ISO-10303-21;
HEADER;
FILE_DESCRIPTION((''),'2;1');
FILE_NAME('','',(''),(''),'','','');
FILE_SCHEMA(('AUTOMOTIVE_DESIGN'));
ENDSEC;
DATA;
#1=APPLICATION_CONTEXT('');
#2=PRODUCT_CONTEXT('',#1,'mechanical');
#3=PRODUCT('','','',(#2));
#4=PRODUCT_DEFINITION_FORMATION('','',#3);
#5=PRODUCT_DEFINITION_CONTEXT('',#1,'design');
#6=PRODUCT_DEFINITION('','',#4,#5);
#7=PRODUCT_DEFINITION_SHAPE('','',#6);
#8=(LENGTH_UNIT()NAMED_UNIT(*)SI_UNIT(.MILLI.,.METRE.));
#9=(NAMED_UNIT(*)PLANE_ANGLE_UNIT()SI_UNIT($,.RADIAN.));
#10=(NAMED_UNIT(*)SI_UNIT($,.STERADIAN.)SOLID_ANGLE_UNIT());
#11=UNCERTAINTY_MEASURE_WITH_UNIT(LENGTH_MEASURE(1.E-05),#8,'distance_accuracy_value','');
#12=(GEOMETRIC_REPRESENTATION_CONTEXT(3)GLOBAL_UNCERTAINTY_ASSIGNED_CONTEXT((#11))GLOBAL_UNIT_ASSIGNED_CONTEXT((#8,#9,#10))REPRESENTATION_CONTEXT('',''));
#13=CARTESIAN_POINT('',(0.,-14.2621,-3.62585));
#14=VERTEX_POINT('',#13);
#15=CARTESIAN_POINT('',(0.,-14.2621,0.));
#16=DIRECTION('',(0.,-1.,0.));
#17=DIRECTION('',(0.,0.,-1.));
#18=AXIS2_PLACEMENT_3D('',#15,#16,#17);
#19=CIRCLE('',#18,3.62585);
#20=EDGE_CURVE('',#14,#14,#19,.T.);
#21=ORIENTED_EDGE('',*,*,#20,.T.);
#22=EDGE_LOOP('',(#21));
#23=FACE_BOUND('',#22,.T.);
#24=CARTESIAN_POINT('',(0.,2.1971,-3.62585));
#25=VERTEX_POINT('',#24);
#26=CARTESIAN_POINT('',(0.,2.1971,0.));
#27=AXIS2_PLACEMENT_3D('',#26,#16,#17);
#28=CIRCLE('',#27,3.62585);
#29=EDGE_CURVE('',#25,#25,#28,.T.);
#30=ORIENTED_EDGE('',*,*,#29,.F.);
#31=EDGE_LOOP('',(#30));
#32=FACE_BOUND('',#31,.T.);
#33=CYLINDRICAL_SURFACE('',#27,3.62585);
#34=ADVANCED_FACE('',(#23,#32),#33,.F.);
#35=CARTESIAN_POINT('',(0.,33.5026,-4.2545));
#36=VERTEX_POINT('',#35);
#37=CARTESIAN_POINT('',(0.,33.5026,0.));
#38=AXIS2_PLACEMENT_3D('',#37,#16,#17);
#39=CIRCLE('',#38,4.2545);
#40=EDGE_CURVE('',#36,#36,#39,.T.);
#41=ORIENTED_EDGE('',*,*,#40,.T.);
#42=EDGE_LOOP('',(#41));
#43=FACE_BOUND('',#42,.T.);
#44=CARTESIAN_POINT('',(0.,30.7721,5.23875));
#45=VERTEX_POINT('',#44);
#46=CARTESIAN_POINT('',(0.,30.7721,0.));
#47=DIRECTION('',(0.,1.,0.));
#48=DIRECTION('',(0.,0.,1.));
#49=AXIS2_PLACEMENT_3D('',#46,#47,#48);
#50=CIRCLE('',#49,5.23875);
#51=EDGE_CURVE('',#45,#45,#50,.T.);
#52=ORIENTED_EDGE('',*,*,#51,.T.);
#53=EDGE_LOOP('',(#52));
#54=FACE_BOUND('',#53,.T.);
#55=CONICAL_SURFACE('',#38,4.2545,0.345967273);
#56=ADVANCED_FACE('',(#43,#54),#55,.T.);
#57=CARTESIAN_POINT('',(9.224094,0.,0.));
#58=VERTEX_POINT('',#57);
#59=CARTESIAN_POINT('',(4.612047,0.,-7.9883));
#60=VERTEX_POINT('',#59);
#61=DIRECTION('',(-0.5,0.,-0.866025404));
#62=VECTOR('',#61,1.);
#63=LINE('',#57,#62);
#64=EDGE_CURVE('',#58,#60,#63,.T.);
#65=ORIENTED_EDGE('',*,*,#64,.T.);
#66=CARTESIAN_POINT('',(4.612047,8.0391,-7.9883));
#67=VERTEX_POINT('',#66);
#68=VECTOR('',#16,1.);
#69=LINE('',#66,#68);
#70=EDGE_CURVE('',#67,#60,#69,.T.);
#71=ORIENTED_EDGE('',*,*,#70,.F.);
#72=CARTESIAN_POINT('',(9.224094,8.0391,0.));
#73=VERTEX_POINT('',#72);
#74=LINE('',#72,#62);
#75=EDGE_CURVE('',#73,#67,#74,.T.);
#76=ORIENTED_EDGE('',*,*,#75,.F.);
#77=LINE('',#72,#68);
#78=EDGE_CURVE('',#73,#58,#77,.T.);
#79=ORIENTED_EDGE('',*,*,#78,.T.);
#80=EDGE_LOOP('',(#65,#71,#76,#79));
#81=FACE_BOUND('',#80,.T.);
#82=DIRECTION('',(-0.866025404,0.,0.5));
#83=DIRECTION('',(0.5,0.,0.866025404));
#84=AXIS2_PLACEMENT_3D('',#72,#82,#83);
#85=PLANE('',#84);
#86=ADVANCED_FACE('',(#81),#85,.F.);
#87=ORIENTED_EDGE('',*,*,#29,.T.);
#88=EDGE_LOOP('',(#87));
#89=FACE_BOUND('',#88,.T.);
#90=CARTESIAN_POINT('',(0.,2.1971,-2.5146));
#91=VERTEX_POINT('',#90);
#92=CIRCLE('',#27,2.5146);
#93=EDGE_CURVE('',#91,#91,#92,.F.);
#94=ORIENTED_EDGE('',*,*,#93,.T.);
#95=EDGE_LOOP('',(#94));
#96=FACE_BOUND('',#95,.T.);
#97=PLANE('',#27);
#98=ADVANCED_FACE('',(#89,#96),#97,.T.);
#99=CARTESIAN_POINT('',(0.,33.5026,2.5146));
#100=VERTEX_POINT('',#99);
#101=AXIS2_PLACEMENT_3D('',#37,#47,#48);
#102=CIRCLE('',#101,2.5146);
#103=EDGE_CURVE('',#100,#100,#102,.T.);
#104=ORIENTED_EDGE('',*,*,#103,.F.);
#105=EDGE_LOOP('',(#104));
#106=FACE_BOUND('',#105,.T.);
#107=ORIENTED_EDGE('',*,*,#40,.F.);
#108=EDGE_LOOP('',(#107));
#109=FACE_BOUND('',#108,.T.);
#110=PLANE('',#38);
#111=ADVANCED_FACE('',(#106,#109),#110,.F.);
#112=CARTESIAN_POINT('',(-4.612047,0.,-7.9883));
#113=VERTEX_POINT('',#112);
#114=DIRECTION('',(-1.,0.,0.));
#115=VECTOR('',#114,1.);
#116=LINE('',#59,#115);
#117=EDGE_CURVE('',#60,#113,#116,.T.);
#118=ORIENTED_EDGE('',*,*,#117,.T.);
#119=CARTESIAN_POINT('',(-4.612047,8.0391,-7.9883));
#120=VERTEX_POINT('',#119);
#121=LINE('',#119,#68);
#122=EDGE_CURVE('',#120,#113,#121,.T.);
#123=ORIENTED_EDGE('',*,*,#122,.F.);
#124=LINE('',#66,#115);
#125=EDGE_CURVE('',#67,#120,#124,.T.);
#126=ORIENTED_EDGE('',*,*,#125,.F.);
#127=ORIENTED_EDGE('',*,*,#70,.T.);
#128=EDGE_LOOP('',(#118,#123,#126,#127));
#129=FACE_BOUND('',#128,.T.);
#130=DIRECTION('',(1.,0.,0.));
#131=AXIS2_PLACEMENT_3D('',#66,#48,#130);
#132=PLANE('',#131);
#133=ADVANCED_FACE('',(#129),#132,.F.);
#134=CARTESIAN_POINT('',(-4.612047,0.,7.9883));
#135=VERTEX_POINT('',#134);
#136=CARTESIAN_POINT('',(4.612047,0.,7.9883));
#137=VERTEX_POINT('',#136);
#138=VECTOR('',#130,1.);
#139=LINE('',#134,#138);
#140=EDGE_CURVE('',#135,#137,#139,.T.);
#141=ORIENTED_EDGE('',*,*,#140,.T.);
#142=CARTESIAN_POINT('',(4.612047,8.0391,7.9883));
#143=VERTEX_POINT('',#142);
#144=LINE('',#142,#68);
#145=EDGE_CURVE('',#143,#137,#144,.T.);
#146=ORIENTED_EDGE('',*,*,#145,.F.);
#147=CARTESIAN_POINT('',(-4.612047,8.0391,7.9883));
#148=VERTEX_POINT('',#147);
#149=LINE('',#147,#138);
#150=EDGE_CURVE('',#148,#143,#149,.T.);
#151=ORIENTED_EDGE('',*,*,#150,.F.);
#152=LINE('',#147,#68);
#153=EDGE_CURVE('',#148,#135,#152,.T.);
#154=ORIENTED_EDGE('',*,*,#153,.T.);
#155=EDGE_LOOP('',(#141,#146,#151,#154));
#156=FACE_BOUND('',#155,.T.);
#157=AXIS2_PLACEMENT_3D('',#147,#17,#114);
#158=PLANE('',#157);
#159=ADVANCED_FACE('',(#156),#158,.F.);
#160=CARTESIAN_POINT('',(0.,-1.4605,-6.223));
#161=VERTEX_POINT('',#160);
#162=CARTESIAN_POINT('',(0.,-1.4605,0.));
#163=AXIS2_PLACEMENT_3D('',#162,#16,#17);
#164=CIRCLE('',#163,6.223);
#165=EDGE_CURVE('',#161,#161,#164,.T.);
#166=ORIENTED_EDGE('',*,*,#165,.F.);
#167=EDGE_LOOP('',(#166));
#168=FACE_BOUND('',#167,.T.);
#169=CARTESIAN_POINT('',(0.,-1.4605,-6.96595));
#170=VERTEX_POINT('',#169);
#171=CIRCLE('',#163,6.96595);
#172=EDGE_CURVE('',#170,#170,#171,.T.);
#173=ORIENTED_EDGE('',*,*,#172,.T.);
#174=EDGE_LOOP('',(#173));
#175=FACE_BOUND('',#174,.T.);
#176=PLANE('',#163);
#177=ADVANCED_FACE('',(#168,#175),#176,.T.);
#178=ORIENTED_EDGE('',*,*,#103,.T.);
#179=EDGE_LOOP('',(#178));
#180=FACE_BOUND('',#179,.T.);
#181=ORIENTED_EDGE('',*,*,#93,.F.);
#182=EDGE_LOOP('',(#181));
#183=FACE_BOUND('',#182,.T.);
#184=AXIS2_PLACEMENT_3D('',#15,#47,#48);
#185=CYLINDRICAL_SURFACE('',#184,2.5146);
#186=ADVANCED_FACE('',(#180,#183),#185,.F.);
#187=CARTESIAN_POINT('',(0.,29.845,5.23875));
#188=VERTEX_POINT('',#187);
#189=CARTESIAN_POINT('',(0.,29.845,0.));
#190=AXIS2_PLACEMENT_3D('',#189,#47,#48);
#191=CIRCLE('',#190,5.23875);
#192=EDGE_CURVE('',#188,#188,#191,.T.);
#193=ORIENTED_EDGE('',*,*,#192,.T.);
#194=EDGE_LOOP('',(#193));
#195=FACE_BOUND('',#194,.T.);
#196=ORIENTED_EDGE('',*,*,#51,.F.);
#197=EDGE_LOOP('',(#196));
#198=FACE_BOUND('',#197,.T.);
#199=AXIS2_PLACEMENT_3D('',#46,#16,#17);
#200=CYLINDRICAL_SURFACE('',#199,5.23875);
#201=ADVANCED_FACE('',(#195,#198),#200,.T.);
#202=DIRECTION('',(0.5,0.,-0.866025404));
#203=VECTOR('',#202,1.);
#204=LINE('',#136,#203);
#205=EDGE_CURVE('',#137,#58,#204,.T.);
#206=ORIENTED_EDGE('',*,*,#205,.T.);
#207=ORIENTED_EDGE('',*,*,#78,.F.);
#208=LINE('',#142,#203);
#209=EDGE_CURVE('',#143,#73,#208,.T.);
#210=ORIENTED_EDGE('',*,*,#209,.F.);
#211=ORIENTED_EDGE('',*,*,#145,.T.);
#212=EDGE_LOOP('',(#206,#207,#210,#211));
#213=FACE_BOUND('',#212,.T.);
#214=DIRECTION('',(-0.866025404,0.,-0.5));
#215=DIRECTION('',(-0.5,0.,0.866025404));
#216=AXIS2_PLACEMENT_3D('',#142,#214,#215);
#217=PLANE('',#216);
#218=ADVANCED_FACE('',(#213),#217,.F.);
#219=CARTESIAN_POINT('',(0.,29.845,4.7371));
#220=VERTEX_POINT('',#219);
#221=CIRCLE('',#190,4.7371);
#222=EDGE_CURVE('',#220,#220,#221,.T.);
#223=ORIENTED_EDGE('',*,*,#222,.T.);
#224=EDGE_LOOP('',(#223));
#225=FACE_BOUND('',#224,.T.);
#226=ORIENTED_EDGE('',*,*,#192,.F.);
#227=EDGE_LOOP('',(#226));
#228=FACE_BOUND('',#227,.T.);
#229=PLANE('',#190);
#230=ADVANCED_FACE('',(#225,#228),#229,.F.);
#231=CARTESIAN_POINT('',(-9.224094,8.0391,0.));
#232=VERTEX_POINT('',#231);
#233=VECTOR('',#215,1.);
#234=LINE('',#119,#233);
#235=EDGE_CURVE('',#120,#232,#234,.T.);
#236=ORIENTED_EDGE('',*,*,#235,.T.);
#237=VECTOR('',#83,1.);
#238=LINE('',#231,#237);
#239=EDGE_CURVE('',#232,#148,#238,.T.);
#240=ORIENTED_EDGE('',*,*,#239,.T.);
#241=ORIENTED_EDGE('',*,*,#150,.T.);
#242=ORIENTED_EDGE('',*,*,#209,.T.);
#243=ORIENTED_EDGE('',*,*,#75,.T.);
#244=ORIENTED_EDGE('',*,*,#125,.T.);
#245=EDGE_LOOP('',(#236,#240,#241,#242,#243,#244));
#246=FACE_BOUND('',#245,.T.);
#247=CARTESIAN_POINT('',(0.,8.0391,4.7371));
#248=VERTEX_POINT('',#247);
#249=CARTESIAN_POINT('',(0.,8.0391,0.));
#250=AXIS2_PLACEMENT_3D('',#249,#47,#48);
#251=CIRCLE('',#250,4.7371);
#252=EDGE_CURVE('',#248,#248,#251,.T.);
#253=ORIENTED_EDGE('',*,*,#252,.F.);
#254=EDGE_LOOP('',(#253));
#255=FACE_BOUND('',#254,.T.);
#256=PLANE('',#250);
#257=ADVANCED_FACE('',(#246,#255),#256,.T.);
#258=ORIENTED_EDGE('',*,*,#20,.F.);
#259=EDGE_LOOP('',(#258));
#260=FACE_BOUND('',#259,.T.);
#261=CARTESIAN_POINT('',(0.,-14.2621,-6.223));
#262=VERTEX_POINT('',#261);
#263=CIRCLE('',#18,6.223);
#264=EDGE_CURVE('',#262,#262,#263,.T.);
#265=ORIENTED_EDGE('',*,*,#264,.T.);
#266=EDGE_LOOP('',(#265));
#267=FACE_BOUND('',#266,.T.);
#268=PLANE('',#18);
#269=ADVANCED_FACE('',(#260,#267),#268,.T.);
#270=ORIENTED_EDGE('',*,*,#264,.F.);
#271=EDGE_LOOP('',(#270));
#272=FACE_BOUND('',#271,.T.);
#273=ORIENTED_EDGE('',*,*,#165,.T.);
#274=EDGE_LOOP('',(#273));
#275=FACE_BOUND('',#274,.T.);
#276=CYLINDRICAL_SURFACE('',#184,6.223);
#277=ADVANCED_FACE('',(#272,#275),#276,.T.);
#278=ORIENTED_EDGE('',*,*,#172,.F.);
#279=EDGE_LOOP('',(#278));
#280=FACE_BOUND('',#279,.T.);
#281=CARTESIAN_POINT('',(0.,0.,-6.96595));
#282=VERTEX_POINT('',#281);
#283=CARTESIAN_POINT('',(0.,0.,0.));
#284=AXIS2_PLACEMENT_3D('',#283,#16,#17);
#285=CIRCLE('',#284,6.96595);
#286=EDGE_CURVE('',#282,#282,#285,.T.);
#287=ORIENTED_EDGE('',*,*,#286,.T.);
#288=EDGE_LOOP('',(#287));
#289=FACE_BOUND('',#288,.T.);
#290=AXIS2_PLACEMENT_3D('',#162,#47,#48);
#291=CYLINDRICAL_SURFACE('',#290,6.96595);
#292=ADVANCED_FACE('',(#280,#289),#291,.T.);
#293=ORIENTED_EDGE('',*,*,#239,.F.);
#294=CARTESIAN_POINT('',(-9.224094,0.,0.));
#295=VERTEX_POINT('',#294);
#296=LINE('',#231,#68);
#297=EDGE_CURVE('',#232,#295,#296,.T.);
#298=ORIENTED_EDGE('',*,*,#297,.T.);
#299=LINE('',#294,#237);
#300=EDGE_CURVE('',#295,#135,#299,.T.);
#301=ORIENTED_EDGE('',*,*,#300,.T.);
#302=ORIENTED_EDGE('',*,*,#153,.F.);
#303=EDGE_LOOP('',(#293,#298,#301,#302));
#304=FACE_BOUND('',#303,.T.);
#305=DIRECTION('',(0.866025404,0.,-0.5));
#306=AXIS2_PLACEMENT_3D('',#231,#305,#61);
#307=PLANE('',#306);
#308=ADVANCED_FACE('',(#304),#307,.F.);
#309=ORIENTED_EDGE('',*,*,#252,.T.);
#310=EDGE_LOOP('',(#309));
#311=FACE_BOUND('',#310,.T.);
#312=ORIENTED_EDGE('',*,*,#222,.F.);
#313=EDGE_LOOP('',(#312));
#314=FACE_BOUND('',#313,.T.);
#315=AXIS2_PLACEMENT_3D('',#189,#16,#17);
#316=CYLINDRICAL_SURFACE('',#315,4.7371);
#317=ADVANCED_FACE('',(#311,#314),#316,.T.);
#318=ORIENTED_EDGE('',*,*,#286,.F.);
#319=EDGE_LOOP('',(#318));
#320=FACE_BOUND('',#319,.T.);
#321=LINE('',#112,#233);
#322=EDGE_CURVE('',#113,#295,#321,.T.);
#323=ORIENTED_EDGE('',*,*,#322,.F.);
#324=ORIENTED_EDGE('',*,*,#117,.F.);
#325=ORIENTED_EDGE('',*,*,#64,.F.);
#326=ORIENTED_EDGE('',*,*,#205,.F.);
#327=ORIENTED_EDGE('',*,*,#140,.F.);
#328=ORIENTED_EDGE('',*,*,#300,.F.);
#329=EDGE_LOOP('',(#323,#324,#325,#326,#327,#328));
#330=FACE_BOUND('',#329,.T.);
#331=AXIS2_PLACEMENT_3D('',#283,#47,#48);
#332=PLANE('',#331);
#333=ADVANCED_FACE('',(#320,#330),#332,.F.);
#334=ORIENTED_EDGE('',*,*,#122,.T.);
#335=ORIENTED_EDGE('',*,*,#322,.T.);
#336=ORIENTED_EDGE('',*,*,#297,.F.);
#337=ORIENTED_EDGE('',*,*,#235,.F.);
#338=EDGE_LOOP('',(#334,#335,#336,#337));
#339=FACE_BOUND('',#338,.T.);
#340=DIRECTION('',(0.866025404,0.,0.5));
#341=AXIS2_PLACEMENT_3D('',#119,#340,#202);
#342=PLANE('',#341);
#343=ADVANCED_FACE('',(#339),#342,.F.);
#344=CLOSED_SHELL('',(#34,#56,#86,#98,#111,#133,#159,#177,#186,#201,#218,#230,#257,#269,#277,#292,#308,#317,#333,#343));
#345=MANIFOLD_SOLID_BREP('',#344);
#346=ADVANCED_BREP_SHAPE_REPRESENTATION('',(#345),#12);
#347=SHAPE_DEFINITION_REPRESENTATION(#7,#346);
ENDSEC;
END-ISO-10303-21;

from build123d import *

# Parameters (mm, degrees)
BOSS_EXTRUDE1_DEPTH = 8.0391
SKETCH3_R           = 4.7371
BOSS_EXTRUDE2_DEPTH = 21.8059
SKETCH4_R           = 5.23875
BOSS_EXTRUDE3_DEPTH = 0.9271
SKETCH11_R          = 6.96595
BOSS_EXTRUDE4_DEPTH = 1.4605
SKETCH12_R          = 6.223
BOSS_EXTRUDE5_DEPTH = 12.8016
SKETCH24_R          = 2.5146
CUT_EXTRUDE1_DEPTH  = 50.298716199
SKETCH25_R          = 3.62585
CUT_EXTRUDE2_DEPTH  = 16.4592


with BuildPart() as part:
    # Sketch1 → Boss-Extrude1 (new body)
    with BuildSketch(Plane(origin=(0, 0, 0), x_dir=(1, 0, 0), z_dir=(0, 1, 0))):
        Polygon((9.224094311, 0), (4.612047155, 7.9883), (-4.612047155, 7.9883), (-9.224094311, 0), (-4.612047155, -7.9883), (4.612047155, -7.9883), align=None)
    extrude(amount=BOSS_EXTRUDE1_DEPTH)

    # Sketch3 → Boss-Extrude2 (add)
    with BuildSketch(Plane(origin=(0, 8.0391, 0), x_dir=(1, 0, 0), z_dir=(0, 1, 0))):
        with Locations(Location((0, 0, 0), (0, 0, 270))):
            Circle(SKETCH3_R)
    extrude(amount=BOSS_EXTRUDE2_DEPTH)

    # Sketch4 → Boss-Extrude3 (add)
    with BuildSketch(Plane(origin=(0, 29.845, 0), x_dir=(1, 0, 0), z_dir=(0, 1, 0))):
        with Locations(Location((0, 0, 0), (0, 0, 270))):
            Circle(SKETCH4_R)
    extrude(amount=BOSS_EXTRUDE3_DEPTH)

    # Sketch10 → Revolve1 (revolve)
    with BuildSketch(Plane(origin=(0, 0, 0), x_dir=(0, 0, -1), z_dir=(1, 0, 0)), mode=Mode.PRIVATE) as revolve1_sk:
        Polygon((0, 30.7721), (0, 33.5026), (-2.49555, 33.5026), (-4.2545, 33.5026), (-5.23875, 30.7721), align=None)
    revolve(revolve1_sk.sketch.rotate(Axis((0, 30.7721, 0), (0, 1, 0)), 180), axis=Axis((0, 30.7721, 0), (0, 1, 0)))

    # Sketch11 → Boss-Extrude4 (add)
    with BuildSketch(Plane(origin=(0, 0, 0), x_dir=(-1, 0, 0), z_dir=(0, -1, 0))):
        with Locations(Location((0, 0, 0), (0, 0, 90))):
            Circle(SKETCH11_R)
    extrude(amount=BOSS_EXTRUDE4_DEPTH)

    # Sketch12 → Boss-Extrude5 (add)
    with BuildSketch(Plane(origin=(0, -1.4605, 0), x_dir=(-1, 0, 0), z_dir=(0, -1, 0))):
        with Locations(Location((0, 0, 0), (0, 0, 90))):
            Circle(SKETCH12_R)
    extrude(amount=BOSS_EXTRUDE5_DEPTH)

    # Sketch24 → Cut-Extrude1 (cut, through all)
    with BuildSketch(Plane(origin=(0, 33.5026, 0), x_dir=(1, 0, 0), z_dir=(0, 1, 0))):
        with Locations(Location((0, 0, 0), (0, 0, 270))):
            Circle(SKETCH24_R)
    extrude(amount=-CUT_EXTRUDE1_DEPTH, mode=Mode.SUBTRACT)

    # Sketch25 → Cut-Extrude2 (cut)
    with BuildSketch(Plane(origin=(0, -14.2621, 0), x_dir=(-1, 0, 0), z_dir=(0, -1, 0))):
        with Locations(Location((0, 0, 0), (0, 0, 90))):
            Circle(SKETCH25_R)
    extrude(amount=-CUT_EXTRUDE2_DEPTH, mode=Mode.SUBTRACT)


solid = part.part
